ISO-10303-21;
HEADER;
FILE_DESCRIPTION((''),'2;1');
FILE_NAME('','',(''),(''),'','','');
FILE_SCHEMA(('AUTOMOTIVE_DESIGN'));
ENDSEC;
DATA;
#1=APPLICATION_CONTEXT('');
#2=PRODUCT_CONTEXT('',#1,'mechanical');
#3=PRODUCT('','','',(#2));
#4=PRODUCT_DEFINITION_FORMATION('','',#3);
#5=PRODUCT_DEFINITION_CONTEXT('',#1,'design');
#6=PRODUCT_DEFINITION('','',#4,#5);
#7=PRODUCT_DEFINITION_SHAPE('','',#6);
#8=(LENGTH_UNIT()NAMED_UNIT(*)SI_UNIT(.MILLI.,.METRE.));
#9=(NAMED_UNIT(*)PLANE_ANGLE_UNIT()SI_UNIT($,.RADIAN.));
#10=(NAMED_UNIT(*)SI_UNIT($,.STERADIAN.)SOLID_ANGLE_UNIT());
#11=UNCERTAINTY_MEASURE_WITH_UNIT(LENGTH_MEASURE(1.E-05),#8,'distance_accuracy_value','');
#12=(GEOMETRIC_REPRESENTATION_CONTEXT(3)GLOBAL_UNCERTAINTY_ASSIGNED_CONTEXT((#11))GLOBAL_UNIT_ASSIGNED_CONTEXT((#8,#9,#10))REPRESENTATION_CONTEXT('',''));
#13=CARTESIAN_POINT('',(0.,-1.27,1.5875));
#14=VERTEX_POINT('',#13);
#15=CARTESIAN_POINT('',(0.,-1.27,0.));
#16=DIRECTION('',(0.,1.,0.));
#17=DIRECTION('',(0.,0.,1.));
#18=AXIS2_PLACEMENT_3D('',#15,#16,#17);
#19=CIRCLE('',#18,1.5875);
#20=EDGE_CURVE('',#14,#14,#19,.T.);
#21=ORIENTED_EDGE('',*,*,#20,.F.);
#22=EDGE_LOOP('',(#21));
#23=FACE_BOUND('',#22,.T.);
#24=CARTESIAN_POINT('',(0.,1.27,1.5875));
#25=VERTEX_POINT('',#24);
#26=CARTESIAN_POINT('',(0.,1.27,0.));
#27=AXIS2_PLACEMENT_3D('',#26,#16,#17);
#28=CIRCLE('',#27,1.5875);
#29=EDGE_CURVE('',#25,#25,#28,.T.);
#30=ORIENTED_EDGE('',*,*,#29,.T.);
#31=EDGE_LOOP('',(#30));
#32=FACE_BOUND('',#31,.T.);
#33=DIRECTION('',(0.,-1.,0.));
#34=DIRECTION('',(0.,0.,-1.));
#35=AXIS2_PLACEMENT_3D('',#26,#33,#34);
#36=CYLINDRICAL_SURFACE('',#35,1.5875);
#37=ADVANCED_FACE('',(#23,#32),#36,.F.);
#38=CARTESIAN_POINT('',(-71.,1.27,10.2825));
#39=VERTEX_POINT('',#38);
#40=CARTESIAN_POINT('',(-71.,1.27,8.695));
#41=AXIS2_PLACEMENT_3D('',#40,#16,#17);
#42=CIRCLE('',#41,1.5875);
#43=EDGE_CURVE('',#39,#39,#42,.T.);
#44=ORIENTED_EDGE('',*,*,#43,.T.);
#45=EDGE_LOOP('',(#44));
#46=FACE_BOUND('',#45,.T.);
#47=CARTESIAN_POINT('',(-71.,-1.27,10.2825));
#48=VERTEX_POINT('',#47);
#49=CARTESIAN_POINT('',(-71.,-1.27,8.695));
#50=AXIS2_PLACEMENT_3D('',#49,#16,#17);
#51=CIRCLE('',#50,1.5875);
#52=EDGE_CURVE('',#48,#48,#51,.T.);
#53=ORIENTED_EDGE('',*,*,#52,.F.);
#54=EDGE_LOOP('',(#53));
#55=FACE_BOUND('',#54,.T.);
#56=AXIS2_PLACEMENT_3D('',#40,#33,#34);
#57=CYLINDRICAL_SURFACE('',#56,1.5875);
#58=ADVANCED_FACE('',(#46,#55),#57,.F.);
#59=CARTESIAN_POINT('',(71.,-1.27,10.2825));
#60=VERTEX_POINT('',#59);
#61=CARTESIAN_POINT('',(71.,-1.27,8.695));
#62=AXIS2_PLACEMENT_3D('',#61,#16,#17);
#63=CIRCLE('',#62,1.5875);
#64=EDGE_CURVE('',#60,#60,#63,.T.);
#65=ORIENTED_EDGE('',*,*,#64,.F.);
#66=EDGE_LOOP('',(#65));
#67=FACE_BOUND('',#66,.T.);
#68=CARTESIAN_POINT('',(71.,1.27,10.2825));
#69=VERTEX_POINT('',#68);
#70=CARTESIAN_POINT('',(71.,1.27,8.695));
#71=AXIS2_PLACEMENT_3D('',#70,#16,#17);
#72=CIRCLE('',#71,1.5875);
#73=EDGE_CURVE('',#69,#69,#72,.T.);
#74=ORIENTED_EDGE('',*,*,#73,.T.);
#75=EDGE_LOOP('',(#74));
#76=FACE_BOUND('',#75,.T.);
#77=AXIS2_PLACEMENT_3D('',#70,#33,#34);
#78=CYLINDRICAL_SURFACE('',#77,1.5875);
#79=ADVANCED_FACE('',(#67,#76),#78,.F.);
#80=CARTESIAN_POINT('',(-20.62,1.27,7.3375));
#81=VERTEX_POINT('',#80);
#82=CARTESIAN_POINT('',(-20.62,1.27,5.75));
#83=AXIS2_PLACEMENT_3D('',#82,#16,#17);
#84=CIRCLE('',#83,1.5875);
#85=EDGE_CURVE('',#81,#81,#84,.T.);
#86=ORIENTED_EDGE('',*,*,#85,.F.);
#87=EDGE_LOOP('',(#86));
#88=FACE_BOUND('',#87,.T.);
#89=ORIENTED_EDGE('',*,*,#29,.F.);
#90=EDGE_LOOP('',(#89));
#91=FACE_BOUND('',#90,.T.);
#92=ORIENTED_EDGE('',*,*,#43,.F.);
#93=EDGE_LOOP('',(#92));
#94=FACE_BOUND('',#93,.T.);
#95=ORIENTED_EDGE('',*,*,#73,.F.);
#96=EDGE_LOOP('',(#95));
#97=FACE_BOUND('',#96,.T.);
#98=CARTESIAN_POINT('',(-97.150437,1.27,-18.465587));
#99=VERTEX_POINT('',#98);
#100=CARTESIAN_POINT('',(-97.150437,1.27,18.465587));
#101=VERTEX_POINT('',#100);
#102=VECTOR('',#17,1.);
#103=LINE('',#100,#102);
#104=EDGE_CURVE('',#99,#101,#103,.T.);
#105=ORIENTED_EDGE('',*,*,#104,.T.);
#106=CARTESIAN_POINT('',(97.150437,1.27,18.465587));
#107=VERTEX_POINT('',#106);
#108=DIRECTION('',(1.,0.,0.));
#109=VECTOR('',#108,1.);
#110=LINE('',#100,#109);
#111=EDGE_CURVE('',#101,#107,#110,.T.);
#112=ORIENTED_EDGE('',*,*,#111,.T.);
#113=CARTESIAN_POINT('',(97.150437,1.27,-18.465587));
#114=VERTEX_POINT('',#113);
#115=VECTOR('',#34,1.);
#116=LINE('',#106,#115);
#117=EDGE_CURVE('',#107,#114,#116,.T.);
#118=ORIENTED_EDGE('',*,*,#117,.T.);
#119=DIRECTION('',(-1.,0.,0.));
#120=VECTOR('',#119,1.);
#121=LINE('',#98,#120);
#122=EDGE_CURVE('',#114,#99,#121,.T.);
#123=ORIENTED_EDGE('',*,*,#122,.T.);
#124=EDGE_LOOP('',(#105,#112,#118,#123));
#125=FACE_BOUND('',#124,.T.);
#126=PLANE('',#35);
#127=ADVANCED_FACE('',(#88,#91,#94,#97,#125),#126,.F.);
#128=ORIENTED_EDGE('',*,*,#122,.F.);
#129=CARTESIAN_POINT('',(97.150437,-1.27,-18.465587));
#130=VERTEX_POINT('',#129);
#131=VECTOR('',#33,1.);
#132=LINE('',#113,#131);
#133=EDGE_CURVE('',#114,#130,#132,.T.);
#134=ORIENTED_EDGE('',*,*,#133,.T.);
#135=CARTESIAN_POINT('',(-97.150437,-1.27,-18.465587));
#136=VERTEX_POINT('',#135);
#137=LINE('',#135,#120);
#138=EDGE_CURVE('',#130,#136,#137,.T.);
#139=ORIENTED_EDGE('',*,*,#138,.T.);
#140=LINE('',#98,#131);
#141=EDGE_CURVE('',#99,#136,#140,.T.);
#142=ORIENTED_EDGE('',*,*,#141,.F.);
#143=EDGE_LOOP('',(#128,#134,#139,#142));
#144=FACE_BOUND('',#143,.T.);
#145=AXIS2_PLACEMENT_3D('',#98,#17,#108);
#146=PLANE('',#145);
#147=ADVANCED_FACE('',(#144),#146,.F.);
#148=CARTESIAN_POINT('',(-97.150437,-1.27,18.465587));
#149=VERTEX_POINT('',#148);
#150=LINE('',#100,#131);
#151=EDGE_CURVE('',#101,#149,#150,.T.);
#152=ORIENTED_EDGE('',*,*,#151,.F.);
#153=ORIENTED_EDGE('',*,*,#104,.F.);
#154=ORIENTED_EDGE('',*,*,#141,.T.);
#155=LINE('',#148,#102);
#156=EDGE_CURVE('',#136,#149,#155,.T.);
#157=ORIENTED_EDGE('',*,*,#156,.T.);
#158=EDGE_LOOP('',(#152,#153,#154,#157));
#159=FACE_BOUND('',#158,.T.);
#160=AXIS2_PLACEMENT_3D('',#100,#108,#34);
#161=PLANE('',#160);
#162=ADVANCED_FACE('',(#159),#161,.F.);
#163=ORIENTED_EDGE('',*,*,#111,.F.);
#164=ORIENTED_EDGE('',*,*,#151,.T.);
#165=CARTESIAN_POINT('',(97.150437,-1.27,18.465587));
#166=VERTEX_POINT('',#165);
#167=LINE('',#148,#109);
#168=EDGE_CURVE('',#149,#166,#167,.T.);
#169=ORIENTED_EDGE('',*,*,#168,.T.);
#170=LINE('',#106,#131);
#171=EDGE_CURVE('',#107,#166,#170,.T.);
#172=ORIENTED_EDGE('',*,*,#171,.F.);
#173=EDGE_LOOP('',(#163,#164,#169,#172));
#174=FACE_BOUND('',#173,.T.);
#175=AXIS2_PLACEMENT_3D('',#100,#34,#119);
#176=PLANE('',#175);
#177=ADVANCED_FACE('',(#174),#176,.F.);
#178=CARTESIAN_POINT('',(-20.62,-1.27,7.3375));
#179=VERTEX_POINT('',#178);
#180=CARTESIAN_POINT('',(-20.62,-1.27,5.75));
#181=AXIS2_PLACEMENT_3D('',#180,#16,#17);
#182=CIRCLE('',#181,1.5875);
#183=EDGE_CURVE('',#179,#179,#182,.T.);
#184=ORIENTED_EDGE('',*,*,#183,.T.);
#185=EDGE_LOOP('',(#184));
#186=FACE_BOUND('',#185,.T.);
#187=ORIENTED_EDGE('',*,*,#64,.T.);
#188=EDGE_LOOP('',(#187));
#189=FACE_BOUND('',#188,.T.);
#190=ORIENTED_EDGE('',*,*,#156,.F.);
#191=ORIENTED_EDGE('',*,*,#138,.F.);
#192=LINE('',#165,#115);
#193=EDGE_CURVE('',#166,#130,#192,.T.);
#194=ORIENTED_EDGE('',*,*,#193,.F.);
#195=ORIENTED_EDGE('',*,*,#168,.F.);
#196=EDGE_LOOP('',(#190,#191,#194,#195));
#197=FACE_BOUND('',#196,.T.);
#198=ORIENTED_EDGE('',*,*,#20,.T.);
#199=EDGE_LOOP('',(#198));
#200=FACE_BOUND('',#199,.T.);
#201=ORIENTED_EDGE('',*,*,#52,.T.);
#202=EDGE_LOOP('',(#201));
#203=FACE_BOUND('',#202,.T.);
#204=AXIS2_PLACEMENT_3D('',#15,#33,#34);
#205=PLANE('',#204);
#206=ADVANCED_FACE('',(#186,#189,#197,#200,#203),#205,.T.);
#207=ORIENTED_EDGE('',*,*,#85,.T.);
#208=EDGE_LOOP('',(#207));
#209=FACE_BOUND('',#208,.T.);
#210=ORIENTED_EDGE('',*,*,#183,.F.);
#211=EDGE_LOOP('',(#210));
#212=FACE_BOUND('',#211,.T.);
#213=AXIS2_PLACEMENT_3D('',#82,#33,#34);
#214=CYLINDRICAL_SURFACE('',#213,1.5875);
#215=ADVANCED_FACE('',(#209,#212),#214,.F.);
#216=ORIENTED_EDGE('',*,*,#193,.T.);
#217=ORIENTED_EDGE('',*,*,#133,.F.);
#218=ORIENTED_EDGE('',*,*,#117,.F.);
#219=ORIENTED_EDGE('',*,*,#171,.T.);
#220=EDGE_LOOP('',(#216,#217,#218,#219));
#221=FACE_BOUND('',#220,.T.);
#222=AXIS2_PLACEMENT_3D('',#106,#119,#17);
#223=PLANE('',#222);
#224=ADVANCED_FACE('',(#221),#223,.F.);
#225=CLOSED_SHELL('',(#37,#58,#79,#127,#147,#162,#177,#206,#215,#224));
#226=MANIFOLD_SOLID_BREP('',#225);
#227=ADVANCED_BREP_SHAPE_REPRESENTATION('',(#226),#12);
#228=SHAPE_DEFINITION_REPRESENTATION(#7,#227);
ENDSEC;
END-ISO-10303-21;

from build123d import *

# Parameters (mm, degrees)
SKETCH1_W           = 194.300874916
SKETCH1_H           = 36.931173376
SKETCH1_R           = 1.5875
BOSS_EXTRUDE1_DEPTH = 1.27


with BuildPart() as part:
    # Sketch1 → Boss-Extrude1 (new, symmetric)
    with BuildSketch(Plane(origin=(0, 0, 0), x_dir=(1, 0, 0), z_dir=(0, 1, 0))):
        Rectangle(SKETCH1_W, SKETCH1_H)
        with Locations(Location((-71, -8.695, 0), (0, 0, 270))):
            Circle(SKETCH1_R, mode=Mode.SUBTRACT)
        with Locations(Location((71, -8.695, 0), (0, 0, 270))):
            Circle(SKETCH1_R, mode=Mode.SUBTRACT)
        with Locations(Location((0, 0, 0), (0, 0, 270))):
            Circle(SKETCH1_R, mode=Mode.SUBTRACT)
        with Locations(Location((-20.62, -5.75, 0), (0, 0, 270))):
            Circle(SKETCH1_R, mode=Mode.SUBTRACT)
    extrude(amount=BOSS_EXTRUDE1_DEPTH, both=True)


solid = part.part
